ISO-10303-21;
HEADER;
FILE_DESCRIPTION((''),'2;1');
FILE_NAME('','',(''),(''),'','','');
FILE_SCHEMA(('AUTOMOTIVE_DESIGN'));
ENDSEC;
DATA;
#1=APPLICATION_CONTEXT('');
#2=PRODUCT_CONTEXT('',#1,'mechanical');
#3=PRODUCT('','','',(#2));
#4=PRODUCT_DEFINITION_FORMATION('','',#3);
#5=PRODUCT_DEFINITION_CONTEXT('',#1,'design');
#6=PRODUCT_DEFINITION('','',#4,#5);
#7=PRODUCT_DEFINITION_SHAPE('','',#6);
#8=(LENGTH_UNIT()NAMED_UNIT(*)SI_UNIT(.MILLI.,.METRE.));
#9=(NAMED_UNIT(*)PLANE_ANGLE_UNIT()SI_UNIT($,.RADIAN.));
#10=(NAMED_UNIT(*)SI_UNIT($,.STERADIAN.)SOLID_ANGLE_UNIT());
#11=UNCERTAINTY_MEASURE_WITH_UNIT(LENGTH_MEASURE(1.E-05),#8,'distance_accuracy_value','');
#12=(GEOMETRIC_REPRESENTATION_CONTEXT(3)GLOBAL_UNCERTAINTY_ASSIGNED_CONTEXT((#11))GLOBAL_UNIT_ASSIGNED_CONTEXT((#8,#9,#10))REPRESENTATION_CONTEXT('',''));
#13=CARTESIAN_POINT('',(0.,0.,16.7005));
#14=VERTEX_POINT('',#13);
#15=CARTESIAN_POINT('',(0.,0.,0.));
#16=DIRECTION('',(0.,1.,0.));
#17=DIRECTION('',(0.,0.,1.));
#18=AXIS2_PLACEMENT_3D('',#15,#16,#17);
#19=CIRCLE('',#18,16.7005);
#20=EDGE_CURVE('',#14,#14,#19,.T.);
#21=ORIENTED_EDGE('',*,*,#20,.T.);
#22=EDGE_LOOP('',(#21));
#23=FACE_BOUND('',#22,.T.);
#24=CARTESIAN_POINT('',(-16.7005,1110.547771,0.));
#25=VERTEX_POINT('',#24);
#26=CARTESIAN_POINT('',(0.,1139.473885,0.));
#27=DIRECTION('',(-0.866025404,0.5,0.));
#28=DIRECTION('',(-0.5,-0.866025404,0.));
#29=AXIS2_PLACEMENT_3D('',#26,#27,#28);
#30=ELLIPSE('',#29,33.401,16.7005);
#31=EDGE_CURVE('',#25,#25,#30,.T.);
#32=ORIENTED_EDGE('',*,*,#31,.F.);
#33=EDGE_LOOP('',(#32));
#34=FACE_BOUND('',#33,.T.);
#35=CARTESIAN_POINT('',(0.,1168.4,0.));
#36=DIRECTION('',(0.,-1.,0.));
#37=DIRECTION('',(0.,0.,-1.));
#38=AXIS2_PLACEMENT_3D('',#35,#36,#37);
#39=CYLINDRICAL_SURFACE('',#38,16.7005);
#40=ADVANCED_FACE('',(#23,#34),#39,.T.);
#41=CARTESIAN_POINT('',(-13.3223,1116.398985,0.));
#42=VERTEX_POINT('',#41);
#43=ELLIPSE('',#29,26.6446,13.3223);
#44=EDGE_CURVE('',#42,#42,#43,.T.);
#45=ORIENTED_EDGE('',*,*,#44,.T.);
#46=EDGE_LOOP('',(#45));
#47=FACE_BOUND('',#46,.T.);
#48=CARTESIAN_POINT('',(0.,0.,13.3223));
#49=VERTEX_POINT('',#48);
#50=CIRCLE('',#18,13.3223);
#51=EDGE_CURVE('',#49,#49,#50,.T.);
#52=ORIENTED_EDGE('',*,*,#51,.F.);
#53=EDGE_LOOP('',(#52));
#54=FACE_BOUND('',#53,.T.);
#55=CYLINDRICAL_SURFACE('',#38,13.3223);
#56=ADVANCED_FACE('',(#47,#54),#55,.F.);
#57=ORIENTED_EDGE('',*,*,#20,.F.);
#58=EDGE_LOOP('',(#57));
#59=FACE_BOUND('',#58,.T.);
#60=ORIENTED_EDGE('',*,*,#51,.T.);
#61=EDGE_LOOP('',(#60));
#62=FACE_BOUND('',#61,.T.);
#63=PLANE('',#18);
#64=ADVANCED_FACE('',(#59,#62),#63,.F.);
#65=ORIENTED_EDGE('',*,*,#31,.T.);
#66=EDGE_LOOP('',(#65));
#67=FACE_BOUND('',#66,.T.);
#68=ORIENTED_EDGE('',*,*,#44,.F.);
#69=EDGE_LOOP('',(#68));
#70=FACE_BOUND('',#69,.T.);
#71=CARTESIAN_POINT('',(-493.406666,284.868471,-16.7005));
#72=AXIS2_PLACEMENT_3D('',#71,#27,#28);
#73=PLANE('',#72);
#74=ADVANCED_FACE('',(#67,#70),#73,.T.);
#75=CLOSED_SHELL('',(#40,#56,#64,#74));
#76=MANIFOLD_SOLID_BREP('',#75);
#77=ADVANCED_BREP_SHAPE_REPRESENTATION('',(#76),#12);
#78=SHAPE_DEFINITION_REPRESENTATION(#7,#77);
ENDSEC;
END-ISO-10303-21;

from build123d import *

# Parameters (mm, degrees)
SKETCH1_R               = 16.7005
SKETCH1_R_2             = 13.3223
BOSS_EXTRUDE1_DEPTH     = 1168.4
CUT_EXTRUDE1_DEPTH      = 1169.638683854
CUT_EXTRUDE1_DEPTH_BACK = 1169.638683854


with BuildPart() as part:
    # Sketch1 → Boss-Extrude1 (new body)
    with BuildSketch(Plane(origin=(0, 0, 0), x_dir=(1, 0, 0), z_dir=(0, 1, 0))):
        with Locations(Location((0, 0, 0), (0, 0, 270))):
            Circle(SKETCH1_R)
        with Locations(Location((0, 0, 0), (0, 0, 270))):
            Circle(SKETCH1_R_2, mode=Mode.SUBTRACT)
    extrude(amount=BOSS_EXTRUDE1_DEPTH)

    # Sketch2 → Cut-Extrude1 (cut, two sides: drawn at the far end of the back side and taken through both)
    with BuildSketch(Plane.XY.offset(-CUT_EXTRUDE1_DEPTH_BACK)):
        Polygon((16.7005, 1168.4), (-16.7005, 1168.4), (-16.7005, 1110.547770976), align=None)
    extrude(amount=CUT_EXTRUDE1_DEPTH + CUT_EXTRUDE1_DEPTH_BACK, mode=Mode.SUBTRACT)


solid = part.part
